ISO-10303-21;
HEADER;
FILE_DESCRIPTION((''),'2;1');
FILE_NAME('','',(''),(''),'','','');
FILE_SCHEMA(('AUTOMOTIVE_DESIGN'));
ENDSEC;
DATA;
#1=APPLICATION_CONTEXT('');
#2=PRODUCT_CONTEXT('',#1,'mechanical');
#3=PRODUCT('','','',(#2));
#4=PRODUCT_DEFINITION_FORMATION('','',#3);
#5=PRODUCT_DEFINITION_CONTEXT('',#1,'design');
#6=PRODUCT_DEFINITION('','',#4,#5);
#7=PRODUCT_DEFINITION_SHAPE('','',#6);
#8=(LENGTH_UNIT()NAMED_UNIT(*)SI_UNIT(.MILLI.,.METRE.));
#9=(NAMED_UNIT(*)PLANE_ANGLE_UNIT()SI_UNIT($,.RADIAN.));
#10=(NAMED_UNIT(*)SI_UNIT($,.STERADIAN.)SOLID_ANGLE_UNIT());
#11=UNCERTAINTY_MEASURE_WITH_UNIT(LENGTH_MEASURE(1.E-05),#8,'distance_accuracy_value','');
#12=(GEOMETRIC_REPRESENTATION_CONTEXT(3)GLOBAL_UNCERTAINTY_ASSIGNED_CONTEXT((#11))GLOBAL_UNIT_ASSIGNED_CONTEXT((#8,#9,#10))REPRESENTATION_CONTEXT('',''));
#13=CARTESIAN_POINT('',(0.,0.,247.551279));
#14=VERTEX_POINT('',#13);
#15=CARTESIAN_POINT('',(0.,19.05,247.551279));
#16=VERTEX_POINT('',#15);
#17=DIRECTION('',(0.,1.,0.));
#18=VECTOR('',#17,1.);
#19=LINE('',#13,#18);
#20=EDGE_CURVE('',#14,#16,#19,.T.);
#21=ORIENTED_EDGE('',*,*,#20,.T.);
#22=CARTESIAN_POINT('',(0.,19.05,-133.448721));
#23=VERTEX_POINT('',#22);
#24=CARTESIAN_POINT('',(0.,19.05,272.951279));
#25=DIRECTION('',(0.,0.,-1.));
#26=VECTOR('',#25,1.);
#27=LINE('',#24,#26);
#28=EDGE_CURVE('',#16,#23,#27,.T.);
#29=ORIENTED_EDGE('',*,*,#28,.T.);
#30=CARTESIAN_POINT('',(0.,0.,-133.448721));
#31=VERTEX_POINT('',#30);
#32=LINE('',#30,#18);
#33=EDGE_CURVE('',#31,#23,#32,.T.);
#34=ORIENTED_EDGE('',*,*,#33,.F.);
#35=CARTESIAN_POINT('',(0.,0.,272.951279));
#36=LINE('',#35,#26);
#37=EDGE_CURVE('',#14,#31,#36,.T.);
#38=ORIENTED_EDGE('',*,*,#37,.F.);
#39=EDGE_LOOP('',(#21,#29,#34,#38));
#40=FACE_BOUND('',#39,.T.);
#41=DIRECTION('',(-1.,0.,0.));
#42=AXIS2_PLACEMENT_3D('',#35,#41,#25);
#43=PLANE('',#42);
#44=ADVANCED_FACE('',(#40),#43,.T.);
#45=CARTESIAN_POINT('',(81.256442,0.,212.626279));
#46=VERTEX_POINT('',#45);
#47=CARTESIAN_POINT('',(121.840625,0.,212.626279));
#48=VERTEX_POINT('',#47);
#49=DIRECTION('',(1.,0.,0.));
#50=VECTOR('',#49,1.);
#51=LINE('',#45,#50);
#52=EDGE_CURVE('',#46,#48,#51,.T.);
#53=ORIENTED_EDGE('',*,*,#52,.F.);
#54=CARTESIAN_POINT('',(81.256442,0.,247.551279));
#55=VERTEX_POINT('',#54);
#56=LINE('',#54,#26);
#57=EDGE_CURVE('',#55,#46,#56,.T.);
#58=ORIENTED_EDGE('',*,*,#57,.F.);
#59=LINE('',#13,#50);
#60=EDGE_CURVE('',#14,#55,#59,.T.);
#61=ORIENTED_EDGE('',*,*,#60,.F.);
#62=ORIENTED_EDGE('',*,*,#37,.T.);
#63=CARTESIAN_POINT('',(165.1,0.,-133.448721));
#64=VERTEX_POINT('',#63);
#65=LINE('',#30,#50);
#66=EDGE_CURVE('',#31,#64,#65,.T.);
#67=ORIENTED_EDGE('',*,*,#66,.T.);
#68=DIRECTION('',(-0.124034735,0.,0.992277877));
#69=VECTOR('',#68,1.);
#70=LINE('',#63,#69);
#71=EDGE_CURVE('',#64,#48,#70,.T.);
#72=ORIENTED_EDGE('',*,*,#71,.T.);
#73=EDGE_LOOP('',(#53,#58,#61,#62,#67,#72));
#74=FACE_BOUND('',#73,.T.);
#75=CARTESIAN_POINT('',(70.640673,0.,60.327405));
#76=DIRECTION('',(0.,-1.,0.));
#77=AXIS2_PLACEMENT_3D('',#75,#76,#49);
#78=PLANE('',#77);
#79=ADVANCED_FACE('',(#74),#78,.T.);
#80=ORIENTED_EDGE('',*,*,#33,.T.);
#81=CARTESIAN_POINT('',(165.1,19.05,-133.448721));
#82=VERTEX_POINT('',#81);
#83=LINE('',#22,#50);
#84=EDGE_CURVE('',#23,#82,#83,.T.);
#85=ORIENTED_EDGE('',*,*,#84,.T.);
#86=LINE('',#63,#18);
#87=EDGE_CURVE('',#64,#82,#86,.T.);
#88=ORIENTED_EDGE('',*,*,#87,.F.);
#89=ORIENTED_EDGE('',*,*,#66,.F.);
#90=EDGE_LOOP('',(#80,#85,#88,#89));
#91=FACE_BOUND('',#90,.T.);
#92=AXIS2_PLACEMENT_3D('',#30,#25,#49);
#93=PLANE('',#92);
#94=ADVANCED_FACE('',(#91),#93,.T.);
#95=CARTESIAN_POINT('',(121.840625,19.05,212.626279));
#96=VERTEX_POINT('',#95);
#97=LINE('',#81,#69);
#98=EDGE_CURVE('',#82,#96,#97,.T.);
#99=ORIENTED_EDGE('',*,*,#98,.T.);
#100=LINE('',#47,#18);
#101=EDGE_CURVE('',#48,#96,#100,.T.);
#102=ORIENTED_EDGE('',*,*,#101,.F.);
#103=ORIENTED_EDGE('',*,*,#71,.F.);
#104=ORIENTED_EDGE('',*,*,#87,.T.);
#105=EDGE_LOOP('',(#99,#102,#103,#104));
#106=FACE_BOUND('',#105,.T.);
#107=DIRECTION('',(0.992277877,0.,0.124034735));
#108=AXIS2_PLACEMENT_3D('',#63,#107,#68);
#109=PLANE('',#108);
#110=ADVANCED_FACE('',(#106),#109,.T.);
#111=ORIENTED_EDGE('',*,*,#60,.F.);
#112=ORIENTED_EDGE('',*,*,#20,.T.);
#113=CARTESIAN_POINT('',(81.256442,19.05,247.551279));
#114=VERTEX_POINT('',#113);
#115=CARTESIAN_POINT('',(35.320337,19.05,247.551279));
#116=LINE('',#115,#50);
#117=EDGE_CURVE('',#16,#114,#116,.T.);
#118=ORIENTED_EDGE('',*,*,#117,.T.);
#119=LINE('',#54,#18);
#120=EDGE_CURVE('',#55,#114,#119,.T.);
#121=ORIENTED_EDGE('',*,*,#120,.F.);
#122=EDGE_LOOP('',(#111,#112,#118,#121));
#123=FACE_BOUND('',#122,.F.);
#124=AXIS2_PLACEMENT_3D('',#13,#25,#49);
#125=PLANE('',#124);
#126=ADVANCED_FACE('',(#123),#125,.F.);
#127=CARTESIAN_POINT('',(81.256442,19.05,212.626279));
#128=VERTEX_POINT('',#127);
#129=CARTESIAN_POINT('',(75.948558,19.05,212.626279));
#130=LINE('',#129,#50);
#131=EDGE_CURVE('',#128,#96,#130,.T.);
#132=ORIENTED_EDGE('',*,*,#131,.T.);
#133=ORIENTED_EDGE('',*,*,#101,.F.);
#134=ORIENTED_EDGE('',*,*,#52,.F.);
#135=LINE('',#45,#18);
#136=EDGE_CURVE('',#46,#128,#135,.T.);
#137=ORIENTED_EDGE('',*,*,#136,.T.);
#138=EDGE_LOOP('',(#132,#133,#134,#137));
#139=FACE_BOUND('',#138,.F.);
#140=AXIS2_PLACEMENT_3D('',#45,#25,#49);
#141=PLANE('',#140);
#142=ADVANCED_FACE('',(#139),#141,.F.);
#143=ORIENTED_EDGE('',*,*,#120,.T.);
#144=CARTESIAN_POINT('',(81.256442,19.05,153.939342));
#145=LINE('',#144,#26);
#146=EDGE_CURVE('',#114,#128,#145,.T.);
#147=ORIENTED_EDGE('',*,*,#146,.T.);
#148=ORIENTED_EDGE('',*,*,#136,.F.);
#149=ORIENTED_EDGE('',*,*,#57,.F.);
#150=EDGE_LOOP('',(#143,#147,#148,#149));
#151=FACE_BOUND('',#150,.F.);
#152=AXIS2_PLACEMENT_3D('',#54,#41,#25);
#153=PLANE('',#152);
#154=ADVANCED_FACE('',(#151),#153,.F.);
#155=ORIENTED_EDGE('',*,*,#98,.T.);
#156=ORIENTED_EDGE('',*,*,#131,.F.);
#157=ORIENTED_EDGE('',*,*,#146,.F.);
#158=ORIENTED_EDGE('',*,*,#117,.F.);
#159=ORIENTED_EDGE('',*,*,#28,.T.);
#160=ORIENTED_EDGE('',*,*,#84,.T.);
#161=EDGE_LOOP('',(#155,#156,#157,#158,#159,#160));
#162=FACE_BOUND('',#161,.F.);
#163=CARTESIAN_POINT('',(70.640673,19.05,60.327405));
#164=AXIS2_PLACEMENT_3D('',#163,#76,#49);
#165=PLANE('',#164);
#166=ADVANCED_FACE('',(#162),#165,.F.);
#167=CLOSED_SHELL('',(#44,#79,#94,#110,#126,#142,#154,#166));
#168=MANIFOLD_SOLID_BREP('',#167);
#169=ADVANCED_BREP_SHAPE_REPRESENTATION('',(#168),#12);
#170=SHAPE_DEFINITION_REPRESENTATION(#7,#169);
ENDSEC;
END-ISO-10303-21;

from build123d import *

# Parameters (mm, degrees)
F1_DEPTH = 19.05
F3_DEPTH = 19.051


with BuildPart() as f1:
    # F0 (on Front) → F1 (new body)
    with BuildSketch(Plane.XZ):
        Polygon((114.3, 272.951279), (0, 272.951279), (0, -133.448721), (165.1, -133.448721), align=None)
    extrude(amount=-F1_DEPTH)

    # F2 (on face) → F3 (cut, through all)
    with BuildSketch(Plane.XZ):
        Polygon((0, 272.951279), (0, 247.551279), (81.256442, 247.551279), (81.256442, 212.626279), (121.840625, 212.626279), (114.3, 272.951279), align=None)
    extrude(amount=-F3_DEPTH, mode=Mode.SUBTRACT)


solid = f1.part
